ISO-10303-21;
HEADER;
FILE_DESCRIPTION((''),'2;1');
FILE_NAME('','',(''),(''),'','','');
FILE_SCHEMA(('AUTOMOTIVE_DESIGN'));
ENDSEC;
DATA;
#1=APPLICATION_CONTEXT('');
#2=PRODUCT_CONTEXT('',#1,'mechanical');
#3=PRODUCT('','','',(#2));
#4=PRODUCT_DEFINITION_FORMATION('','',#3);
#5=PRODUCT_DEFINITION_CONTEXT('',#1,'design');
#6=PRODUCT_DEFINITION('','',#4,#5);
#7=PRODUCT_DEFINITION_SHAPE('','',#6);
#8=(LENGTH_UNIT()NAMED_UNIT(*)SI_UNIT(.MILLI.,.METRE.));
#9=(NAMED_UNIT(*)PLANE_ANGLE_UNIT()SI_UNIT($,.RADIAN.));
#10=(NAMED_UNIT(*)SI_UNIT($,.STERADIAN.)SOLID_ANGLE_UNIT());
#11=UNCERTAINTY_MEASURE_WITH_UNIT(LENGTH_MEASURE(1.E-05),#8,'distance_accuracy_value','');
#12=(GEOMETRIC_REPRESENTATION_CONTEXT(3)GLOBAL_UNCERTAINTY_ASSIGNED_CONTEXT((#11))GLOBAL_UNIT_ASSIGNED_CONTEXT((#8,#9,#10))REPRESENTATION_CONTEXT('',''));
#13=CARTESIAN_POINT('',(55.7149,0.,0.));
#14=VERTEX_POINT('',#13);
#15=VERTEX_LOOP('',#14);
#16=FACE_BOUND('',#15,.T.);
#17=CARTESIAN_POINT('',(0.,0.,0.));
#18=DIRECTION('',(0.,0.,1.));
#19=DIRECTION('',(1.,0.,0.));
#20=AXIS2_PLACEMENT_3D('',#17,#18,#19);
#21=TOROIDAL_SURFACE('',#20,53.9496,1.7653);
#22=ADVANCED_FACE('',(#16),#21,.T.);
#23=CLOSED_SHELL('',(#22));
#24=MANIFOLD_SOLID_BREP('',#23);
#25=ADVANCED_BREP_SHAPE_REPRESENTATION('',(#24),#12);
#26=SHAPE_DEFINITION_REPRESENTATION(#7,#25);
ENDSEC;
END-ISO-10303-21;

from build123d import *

# Parameters (mm, degrees)
SKETCH2_R = 1.7653


with BuildPart() as part:
    # Sketch2 → Revolve1 (revolve)
    with BuildSketch(Plane(origin=(0, 0, 0), x_dir=(1, 0, 0), z_dir=(0, 1, 0))):
        with Locations((-53.9496, 0)):
            Circle(SKETCH2_R)
    revolve(axis=Axis((0, 0, 1.7653), (0, 0, -1)))


solid = part.part
